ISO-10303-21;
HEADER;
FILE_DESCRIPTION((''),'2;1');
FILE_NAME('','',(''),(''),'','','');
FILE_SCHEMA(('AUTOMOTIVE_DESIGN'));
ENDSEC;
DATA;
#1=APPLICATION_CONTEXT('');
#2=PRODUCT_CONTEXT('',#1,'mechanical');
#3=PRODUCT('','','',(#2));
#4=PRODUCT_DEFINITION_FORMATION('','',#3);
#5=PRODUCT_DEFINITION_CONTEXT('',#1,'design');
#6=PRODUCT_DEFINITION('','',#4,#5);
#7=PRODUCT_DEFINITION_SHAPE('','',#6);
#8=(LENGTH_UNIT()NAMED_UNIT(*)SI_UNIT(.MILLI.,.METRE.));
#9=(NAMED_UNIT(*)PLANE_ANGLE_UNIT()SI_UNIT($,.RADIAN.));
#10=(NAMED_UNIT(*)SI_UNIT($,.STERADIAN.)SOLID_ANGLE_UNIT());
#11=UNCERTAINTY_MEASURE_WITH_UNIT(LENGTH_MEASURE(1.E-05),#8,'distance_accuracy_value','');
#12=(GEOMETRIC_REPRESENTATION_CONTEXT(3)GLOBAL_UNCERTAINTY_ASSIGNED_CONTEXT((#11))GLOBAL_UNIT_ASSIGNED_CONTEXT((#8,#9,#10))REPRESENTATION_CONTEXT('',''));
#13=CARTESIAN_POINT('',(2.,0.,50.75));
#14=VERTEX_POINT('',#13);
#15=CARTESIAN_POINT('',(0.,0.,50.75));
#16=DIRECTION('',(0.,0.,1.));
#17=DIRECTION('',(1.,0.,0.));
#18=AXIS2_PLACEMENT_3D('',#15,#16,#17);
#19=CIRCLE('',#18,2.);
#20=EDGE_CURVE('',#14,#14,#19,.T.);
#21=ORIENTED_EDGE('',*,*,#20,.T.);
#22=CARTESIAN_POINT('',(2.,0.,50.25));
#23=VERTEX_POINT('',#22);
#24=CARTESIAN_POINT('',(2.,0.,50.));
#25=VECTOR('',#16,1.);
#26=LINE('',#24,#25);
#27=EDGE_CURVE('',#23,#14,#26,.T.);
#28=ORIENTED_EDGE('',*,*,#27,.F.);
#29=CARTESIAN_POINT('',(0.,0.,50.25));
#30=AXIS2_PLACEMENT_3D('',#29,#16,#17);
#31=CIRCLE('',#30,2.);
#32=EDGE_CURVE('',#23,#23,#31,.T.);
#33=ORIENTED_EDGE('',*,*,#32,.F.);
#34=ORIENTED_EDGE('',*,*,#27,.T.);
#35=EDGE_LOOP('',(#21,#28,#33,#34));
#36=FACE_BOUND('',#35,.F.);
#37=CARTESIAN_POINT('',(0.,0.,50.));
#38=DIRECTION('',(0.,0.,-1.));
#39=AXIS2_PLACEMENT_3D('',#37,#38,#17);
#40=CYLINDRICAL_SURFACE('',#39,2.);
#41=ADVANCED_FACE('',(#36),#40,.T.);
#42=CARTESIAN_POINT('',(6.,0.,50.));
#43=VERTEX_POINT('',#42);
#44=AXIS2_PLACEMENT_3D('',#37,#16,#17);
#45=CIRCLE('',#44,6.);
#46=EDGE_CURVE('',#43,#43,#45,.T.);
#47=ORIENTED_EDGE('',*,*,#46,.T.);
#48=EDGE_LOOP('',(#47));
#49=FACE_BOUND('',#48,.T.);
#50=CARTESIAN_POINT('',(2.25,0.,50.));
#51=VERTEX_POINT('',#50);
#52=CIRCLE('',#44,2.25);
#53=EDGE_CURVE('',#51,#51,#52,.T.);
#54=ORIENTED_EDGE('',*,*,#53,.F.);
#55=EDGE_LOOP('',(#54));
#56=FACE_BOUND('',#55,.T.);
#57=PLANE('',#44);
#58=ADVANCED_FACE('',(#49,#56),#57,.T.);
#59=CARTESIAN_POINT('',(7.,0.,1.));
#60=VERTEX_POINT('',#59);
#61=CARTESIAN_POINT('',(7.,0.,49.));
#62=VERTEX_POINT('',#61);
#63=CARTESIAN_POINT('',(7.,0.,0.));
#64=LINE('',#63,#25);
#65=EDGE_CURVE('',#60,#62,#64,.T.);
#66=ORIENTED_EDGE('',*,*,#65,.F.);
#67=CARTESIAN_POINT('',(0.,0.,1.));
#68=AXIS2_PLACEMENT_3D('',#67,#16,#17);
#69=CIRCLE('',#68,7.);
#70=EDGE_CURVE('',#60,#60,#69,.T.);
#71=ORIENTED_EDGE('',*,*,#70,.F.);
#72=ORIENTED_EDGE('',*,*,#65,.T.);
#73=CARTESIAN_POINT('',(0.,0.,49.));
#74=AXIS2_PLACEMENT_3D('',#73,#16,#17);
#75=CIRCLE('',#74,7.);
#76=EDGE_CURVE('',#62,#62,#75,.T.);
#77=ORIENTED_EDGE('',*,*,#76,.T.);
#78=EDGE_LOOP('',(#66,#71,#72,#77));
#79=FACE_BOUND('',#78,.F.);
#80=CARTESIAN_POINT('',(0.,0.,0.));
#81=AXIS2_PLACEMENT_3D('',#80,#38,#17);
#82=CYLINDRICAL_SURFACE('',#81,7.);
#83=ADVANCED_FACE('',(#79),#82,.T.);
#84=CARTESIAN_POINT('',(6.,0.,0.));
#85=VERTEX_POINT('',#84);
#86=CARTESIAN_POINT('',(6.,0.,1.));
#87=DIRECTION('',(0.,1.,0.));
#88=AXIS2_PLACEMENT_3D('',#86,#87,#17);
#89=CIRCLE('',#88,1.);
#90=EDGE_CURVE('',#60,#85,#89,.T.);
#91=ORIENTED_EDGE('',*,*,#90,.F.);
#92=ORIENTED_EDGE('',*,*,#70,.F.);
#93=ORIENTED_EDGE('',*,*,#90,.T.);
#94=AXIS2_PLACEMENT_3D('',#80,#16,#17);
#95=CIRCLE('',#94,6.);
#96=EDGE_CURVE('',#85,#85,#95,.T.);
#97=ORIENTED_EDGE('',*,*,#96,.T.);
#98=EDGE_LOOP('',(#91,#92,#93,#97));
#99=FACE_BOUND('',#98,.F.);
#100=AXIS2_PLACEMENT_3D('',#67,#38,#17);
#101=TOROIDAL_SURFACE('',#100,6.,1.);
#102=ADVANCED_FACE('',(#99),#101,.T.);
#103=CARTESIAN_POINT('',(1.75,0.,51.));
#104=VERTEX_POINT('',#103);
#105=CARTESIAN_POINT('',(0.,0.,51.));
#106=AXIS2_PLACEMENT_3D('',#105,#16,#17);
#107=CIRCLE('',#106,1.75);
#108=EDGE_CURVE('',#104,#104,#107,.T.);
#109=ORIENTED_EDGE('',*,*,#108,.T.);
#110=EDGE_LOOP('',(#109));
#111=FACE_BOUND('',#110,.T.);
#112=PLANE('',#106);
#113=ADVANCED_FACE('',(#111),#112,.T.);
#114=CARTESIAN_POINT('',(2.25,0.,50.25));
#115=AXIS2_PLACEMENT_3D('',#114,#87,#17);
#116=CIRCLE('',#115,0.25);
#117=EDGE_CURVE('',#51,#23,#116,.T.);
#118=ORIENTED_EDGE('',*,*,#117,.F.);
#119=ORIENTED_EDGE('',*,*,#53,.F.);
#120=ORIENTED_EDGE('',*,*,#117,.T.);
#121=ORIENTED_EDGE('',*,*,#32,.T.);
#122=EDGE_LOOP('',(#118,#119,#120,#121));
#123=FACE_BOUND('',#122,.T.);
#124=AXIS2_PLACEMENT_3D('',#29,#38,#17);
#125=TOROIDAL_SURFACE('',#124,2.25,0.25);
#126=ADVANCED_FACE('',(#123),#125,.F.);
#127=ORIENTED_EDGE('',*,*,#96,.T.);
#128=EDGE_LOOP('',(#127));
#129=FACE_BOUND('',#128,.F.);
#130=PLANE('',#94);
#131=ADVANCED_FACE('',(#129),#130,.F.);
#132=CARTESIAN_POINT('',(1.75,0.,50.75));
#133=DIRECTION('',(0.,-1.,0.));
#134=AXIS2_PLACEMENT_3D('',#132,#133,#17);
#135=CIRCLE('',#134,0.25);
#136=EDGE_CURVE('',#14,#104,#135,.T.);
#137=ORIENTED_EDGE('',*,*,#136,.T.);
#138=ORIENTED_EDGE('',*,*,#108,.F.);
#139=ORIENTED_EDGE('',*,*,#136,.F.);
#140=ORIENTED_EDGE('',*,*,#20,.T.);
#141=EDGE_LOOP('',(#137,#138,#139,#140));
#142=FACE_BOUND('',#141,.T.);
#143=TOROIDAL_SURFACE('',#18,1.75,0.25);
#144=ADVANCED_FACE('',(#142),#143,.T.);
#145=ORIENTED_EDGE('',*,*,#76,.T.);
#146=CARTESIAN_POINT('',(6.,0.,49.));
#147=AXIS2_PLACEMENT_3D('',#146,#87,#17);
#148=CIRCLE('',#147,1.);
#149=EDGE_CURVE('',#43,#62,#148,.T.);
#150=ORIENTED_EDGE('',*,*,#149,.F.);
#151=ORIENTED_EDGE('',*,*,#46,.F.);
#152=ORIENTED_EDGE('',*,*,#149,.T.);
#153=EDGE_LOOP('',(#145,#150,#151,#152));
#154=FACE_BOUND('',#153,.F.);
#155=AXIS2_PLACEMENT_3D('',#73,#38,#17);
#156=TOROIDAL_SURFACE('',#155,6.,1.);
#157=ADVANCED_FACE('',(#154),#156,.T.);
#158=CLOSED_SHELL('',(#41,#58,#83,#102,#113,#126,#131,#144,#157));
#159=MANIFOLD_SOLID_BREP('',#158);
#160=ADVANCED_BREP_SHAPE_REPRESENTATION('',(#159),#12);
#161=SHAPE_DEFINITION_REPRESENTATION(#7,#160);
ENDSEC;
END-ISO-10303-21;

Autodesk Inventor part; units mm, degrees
ref_plane "YZ Plane" through (0, 0, 0) normal (1, 0, 0) x (0, 1, 0)
ref_plane "XZ Plane" through (0, 0, 0) normal (0, 1, 0) x (-1, 0, 0)
ref_plane "XY Plane" through (0, 0, 0) normal (0, 0, 1) x (1, 0, 0)
sketch "Szkic1" plane through (0, 0, 0) normal (0, 0, 1) x (1, 0, 0)
  circle A0 centre (0, 0) radius 7
  dimension "d0" = 14
extrude "Wyciągnięcie proste1" add sketch "Szkic1" along normal blind 50
sketch "Szkic2" plane through (0, 0, 50) normal (0, 0, 1) x (1, 0, 0)
  circle A0 centre (0, 0) radius 2
  dimension "d3" = 4
extrude "Wyciągnięcie proste2" add sketch "Szkic2" along normal blind 1
fillet "Zaokrąglenie1" radius 0.25 2 edges at (-2, 0, 51) (-2, 0, 50)
fillet "Zaokrąglenie2" radius 1 2 edges at (-7, 0, 50) (-7, 0, 0)
properties part number "Bateria"
